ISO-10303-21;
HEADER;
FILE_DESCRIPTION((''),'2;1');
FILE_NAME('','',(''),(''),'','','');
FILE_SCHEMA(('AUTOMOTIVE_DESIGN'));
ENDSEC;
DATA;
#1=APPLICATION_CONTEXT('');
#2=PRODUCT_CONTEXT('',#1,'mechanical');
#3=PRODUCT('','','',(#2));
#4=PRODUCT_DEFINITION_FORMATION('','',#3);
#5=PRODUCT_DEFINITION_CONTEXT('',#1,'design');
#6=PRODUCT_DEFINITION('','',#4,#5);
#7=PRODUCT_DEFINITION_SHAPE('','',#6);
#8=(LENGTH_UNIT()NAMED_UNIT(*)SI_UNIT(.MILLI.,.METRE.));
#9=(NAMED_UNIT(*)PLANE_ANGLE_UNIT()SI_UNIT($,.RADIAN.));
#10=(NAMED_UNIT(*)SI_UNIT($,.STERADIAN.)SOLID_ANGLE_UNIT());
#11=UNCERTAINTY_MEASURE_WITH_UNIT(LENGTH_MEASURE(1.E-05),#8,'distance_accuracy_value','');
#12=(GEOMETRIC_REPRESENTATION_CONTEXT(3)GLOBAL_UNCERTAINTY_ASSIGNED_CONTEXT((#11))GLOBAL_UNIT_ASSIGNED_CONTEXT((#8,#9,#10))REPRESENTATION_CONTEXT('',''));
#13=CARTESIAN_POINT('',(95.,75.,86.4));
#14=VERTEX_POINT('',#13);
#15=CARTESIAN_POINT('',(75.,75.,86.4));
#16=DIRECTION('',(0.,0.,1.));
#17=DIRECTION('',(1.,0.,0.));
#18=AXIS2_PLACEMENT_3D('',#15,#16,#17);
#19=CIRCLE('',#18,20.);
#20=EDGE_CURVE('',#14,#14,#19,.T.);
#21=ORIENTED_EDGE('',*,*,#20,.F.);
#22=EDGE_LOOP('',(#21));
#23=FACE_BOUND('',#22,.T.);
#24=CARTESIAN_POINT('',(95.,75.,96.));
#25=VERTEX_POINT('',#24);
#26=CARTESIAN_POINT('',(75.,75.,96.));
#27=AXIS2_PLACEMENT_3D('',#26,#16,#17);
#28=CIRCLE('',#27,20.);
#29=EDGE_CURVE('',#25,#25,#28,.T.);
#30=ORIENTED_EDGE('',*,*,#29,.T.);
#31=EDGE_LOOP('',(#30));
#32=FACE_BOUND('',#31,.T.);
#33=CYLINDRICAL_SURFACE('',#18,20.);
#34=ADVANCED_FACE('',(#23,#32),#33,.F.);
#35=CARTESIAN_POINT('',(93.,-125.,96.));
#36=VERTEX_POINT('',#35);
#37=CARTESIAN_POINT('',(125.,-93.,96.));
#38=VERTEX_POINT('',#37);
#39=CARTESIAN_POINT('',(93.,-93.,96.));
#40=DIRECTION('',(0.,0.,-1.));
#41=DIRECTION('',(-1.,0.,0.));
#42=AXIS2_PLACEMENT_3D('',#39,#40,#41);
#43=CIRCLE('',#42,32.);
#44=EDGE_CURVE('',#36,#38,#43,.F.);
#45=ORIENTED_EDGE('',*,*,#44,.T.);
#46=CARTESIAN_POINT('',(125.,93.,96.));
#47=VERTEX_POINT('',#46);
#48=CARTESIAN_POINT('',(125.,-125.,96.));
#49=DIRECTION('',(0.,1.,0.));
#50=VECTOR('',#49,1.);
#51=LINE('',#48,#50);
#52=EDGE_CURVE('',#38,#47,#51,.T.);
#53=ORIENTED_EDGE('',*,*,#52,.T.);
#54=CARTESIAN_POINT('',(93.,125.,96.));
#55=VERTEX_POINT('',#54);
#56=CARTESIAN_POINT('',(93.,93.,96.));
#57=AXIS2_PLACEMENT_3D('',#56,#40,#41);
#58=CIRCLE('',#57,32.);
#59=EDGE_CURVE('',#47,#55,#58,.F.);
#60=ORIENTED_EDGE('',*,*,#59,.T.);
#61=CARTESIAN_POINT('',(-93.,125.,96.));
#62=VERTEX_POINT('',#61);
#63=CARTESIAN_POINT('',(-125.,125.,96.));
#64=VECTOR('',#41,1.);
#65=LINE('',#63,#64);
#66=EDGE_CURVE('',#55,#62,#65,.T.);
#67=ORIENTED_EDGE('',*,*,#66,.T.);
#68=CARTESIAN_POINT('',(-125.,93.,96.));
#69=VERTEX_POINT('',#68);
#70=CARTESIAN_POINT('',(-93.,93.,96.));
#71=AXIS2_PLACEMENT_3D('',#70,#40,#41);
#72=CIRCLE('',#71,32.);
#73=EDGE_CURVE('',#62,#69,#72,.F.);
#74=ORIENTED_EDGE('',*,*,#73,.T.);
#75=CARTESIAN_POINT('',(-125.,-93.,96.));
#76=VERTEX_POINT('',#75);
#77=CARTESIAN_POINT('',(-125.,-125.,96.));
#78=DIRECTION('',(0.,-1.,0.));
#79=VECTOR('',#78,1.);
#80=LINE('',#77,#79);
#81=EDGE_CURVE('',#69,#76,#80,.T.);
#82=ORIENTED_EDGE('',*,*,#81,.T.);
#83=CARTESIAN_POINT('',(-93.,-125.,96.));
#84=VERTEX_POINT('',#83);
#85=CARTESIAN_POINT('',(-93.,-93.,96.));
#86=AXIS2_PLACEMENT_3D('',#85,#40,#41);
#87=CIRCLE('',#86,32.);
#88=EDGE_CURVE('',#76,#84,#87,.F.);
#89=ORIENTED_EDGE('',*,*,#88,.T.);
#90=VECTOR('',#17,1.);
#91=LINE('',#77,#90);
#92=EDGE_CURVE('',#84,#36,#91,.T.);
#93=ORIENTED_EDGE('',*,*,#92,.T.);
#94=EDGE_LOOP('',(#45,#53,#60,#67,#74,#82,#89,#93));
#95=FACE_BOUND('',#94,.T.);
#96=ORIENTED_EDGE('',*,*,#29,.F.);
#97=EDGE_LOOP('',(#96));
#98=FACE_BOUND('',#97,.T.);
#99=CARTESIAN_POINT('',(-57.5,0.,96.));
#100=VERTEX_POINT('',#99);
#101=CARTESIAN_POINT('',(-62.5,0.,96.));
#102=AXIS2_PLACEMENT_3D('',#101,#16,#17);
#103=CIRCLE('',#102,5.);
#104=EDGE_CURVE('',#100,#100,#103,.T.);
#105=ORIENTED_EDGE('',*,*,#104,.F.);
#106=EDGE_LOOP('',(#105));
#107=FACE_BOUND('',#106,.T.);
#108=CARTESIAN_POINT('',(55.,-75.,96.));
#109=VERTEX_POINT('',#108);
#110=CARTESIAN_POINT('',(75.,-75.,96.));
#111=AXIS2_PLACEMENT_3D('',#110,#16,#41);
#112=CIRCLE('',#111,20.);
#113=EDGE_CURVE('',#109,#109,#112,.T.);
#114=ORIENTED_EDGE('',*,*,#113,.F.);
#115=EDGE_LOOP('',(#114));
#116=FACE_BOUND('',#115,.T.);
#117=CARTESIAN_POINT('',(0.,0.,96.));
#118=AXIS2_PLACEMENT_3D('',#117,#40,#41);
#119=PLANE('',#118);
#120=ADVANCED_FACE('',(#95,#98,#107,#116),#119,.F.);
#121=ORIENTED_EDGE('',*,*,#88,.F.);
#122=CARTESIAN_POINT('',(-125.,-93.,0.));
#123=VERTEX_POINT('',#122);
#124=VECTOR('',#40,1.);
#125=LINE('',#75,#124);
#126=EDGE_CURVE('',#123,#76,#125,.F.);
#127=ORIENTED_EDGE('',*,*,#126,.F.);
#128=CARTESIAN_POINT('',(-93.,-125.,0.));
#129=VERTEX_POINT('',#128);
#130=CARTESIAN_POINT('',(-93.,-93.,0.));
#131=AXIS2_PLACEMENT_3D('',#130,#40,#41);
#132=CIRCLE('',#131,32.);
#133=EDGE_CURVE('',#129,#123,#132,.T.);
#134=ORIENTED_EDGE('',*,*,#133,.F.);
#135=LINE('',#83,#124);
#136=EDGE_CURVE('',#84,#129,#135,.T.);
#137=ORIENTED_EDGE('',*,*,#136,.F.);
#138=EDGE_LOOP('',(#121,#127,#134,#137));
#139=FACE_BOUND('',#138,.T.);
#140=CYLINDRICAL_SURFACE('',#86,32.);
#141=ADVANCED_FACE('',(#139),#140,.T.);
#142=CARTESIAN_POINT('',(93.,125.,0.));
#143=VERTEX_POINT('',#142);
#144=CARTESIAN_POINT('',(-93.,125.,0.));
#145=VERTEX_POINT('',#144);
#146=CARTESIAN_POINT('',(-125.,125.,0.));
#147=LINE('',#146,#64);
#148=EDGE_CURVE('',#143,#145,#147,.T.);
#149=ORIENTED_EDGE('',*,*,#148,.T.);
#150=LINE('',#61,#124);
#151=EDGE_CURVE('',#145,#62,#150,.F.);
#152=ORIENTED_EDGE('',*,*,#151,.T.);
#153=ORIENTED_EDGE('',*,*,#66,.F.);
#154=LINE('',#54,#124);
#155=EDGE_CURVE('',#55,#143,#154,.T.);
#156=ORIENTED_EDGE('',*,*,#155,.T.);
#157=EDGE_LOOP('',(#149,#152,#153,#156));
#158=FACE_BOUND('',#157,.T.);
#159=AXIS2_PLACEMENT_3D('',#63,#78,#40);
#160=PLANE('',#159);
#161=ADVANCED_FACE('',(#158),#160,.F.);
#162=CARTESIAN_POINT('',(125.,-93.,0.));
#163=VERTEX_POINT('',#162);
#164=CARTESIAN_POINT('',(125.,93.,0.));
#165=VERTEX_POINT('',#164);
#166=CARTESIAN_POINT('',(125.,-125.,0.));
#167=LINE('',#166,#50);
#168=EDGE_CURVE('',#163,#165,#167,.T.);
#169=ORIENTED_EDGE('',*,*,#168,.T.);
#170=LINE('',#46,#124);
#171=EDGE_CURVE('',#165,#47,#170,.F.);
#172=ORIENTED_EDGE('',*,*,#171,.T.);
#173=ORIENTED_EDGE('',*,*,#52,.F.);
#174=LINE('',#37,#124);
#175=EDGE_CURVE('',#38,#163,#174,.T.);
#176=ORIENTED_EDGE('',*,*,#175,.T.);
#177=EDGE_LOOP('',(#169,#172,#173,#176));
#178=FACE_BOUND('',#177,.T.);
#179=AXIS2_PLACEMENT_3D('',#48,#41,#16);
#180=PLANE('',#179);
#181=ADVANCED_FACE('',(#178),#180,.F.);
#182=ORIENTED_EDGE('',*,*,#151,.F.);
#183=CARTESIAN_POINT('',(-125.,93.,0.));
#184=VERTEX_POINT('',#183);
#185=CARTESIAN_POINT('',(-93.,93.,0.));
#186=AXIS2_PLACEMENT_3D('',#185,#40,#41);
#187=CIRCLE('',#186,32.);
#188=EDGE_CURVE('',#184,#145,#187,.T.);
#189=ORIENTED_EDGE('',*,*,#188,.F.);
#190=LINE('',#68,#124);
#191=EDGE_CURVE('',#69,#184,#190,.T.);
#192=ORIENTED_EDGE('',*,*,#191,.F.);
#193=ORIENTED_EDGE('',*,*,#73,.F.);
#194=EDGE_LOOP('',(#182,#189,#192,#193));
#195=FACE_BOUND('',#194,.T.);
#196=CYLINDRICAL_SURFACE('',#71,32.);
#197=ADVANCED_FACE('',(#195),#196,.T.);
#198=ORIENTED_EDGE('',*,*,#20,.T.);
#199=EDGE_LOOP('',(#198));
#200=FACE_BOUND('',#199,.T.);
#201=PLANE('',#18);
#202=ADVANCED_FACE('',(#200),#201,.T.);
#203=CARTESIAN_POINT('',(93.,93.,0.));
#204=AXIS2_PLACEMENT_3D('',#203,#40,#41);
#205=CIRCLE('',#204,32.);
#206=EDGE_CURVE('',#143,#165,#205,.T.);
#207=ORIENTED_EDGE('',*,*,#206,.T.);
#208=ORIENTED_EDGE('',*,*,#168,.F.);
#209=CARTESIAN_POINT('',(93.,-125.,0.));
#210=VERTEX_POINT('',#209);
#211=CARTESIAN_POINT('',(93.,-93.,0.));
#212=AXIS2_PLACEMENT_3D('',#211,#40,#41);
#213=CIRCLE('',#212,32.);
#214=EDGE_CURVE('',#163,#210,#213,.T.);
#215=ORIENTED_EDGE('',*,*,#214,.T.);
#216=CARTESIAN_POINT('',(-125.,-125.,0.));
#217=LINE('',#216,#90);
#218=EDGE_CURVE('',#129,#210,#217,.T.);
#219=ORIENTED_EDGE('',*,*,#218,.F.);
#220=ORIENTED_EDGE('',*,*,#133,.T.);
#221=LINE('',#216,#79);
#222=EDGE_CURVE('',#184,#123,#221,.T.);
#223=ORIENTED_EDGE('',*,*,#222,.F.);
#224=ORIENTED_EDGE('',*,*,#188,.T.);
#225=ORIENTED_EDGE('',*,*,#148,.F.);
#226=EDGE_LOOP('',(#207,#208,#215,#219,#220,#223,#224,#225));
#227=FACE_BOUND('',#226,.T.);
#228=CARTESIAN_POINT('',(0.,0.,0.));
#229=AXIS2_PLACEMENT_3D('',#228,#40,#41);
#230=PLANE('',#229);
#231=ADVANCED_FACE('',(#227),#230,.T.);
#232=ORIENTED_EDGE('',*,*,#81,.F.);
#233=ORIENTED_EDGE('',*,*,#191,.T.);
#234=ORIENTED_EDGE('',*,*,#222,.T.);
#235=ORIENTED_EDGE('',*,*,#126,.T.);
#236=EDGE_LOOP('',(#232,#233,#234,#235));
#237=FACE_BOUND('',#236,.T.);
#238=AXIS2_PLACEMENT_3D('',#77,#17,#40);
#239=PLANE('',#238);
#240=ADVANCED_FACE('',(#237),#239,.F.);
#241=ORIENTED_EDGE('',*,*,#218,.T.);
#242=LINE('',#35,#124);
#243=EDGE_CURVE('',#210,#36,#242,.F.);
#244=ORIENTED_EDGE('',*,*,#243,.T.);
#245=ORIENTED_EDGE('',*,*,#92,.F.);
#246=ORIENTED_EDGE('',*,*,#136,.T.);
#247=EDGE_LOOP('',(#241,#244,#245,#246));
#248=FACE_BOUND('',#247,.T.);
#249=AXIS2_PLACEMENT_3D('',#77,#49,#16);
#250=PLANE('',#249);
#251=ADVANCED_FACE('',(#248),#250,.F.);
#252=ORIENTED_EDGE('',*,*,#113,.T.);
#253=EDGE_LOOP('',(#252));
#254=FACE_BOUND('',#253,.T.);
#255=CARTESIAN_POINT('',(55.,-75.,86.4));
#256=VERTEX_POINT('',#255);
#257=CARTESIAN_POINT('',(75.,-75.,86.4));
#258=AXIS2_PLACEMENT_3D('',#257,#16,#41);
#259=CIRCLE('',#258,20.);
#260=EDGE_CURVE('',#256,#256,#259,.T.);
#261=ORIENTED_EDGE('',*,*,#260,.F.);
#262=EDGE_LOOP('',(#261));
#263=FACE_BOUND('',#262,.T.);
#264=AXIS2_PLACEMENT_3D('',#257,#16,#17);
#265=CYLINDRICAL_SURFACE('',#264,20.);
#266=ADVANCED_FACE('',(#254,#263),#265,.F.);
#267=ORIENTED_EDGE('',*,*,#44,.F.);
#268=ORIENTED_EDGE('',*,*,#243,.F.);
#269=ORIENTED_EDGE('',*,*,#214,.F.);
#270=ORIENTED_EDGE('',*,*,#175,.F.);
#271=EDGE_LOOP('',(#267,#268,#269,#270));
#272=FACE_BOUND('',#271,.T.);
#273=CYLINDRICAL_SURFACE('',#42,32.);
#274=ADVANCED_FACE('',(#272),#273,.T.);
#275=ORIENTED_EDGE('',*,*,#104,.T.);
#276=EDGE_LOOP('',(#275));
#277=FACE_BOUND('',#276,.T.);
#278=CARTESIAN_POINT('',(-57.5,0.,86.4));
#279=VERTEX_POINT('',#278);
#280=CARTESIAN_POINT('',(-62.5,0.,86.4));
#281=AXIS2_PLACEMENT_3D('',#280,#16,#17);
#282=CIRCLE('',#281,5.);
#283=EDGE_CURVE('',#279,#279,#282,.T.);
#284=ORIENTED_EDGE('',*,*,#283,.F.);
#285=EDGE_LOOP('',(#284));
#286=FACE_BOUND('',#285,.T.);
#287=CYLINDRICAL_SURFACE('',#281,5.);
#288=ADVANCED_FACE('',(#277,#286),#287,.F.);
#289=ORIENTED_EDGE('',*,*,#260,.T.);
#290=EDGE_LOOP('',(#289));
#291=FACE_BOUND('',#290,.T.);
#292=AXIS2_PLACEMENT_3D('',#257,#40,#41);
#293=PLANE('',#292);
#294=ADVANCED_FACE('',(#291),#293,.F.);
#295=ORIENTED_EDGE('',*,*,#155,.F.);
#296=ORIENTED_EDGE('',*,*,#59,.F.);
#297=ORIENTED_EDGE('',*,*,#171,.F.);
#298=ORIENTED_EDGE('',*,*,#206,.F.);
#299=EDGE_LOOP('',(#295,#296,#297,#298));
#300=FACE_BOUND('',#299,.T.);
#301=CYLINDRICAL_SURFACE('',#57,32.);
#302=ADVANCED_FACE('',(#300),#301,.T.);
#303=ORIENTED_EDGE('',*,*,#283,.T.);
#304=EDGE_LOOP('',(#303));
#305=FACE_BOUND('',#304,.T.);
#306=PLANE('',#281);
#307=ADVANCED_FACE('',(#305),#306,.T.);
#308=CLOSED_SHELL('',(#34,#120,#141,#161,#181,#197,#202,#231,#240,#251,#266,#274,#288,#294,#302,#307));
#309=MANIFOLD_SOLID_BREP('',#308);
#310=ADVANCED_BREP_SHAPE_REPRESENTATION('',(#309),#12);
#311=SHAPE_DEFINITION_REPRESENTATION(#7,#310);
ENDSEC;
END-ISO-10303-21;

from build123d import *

# Parameters (mm, degrees)
ESQUISSE1_W             = 250
ESQUISSE1_H             = 250
BOSS_EXTRU_1_DEPTH      = 96
CONG_1_R                = 32
ESQUISSE2_R             = 20
ESQUISSE2_R_2           = 5
ENL_V_MAT_EXTRU_1_DEPTH = 9.6


with BuildPart() as part:
    # Esquisse1 → Boss.-Extru.1 (new body)
    with BuildSketch(Plane.XY):
        Rectangle(ESQUISSE1_W, ESQUISSE1_H)
    extrude(amount=BOSS_EXTRU_1_DEPTH)

    # Congé1
    cong_1_edges = [part.edges().sort_by_distance(p)[0] for p in [
        (125, -125, 48),
        (-125, -125, 48),
        (-125, 125, 48),
        (125, 125, 48),
    ]]
    fillet(cong_1_edges, radius=CONG_1_R)

    # Esquisse2 → Enlèv. mat.-Extru.1 (cut)
    with BuildSketch(Plane.XY.offset(96)):
        with Locations((75, 75)):
            Circle(ESQUISSE2_R)
        with Locations((75, -75)):
            Circle(ESQUISSE2_R)
        with Locations((-62.5, 0)):
            Circle(ESQUISSE2_R_2)
    extrude(amount=-ENL_V_MAT_EXTRU_1_DEPTH, mode=Mode.SUBTRACT)


solid = part.part
